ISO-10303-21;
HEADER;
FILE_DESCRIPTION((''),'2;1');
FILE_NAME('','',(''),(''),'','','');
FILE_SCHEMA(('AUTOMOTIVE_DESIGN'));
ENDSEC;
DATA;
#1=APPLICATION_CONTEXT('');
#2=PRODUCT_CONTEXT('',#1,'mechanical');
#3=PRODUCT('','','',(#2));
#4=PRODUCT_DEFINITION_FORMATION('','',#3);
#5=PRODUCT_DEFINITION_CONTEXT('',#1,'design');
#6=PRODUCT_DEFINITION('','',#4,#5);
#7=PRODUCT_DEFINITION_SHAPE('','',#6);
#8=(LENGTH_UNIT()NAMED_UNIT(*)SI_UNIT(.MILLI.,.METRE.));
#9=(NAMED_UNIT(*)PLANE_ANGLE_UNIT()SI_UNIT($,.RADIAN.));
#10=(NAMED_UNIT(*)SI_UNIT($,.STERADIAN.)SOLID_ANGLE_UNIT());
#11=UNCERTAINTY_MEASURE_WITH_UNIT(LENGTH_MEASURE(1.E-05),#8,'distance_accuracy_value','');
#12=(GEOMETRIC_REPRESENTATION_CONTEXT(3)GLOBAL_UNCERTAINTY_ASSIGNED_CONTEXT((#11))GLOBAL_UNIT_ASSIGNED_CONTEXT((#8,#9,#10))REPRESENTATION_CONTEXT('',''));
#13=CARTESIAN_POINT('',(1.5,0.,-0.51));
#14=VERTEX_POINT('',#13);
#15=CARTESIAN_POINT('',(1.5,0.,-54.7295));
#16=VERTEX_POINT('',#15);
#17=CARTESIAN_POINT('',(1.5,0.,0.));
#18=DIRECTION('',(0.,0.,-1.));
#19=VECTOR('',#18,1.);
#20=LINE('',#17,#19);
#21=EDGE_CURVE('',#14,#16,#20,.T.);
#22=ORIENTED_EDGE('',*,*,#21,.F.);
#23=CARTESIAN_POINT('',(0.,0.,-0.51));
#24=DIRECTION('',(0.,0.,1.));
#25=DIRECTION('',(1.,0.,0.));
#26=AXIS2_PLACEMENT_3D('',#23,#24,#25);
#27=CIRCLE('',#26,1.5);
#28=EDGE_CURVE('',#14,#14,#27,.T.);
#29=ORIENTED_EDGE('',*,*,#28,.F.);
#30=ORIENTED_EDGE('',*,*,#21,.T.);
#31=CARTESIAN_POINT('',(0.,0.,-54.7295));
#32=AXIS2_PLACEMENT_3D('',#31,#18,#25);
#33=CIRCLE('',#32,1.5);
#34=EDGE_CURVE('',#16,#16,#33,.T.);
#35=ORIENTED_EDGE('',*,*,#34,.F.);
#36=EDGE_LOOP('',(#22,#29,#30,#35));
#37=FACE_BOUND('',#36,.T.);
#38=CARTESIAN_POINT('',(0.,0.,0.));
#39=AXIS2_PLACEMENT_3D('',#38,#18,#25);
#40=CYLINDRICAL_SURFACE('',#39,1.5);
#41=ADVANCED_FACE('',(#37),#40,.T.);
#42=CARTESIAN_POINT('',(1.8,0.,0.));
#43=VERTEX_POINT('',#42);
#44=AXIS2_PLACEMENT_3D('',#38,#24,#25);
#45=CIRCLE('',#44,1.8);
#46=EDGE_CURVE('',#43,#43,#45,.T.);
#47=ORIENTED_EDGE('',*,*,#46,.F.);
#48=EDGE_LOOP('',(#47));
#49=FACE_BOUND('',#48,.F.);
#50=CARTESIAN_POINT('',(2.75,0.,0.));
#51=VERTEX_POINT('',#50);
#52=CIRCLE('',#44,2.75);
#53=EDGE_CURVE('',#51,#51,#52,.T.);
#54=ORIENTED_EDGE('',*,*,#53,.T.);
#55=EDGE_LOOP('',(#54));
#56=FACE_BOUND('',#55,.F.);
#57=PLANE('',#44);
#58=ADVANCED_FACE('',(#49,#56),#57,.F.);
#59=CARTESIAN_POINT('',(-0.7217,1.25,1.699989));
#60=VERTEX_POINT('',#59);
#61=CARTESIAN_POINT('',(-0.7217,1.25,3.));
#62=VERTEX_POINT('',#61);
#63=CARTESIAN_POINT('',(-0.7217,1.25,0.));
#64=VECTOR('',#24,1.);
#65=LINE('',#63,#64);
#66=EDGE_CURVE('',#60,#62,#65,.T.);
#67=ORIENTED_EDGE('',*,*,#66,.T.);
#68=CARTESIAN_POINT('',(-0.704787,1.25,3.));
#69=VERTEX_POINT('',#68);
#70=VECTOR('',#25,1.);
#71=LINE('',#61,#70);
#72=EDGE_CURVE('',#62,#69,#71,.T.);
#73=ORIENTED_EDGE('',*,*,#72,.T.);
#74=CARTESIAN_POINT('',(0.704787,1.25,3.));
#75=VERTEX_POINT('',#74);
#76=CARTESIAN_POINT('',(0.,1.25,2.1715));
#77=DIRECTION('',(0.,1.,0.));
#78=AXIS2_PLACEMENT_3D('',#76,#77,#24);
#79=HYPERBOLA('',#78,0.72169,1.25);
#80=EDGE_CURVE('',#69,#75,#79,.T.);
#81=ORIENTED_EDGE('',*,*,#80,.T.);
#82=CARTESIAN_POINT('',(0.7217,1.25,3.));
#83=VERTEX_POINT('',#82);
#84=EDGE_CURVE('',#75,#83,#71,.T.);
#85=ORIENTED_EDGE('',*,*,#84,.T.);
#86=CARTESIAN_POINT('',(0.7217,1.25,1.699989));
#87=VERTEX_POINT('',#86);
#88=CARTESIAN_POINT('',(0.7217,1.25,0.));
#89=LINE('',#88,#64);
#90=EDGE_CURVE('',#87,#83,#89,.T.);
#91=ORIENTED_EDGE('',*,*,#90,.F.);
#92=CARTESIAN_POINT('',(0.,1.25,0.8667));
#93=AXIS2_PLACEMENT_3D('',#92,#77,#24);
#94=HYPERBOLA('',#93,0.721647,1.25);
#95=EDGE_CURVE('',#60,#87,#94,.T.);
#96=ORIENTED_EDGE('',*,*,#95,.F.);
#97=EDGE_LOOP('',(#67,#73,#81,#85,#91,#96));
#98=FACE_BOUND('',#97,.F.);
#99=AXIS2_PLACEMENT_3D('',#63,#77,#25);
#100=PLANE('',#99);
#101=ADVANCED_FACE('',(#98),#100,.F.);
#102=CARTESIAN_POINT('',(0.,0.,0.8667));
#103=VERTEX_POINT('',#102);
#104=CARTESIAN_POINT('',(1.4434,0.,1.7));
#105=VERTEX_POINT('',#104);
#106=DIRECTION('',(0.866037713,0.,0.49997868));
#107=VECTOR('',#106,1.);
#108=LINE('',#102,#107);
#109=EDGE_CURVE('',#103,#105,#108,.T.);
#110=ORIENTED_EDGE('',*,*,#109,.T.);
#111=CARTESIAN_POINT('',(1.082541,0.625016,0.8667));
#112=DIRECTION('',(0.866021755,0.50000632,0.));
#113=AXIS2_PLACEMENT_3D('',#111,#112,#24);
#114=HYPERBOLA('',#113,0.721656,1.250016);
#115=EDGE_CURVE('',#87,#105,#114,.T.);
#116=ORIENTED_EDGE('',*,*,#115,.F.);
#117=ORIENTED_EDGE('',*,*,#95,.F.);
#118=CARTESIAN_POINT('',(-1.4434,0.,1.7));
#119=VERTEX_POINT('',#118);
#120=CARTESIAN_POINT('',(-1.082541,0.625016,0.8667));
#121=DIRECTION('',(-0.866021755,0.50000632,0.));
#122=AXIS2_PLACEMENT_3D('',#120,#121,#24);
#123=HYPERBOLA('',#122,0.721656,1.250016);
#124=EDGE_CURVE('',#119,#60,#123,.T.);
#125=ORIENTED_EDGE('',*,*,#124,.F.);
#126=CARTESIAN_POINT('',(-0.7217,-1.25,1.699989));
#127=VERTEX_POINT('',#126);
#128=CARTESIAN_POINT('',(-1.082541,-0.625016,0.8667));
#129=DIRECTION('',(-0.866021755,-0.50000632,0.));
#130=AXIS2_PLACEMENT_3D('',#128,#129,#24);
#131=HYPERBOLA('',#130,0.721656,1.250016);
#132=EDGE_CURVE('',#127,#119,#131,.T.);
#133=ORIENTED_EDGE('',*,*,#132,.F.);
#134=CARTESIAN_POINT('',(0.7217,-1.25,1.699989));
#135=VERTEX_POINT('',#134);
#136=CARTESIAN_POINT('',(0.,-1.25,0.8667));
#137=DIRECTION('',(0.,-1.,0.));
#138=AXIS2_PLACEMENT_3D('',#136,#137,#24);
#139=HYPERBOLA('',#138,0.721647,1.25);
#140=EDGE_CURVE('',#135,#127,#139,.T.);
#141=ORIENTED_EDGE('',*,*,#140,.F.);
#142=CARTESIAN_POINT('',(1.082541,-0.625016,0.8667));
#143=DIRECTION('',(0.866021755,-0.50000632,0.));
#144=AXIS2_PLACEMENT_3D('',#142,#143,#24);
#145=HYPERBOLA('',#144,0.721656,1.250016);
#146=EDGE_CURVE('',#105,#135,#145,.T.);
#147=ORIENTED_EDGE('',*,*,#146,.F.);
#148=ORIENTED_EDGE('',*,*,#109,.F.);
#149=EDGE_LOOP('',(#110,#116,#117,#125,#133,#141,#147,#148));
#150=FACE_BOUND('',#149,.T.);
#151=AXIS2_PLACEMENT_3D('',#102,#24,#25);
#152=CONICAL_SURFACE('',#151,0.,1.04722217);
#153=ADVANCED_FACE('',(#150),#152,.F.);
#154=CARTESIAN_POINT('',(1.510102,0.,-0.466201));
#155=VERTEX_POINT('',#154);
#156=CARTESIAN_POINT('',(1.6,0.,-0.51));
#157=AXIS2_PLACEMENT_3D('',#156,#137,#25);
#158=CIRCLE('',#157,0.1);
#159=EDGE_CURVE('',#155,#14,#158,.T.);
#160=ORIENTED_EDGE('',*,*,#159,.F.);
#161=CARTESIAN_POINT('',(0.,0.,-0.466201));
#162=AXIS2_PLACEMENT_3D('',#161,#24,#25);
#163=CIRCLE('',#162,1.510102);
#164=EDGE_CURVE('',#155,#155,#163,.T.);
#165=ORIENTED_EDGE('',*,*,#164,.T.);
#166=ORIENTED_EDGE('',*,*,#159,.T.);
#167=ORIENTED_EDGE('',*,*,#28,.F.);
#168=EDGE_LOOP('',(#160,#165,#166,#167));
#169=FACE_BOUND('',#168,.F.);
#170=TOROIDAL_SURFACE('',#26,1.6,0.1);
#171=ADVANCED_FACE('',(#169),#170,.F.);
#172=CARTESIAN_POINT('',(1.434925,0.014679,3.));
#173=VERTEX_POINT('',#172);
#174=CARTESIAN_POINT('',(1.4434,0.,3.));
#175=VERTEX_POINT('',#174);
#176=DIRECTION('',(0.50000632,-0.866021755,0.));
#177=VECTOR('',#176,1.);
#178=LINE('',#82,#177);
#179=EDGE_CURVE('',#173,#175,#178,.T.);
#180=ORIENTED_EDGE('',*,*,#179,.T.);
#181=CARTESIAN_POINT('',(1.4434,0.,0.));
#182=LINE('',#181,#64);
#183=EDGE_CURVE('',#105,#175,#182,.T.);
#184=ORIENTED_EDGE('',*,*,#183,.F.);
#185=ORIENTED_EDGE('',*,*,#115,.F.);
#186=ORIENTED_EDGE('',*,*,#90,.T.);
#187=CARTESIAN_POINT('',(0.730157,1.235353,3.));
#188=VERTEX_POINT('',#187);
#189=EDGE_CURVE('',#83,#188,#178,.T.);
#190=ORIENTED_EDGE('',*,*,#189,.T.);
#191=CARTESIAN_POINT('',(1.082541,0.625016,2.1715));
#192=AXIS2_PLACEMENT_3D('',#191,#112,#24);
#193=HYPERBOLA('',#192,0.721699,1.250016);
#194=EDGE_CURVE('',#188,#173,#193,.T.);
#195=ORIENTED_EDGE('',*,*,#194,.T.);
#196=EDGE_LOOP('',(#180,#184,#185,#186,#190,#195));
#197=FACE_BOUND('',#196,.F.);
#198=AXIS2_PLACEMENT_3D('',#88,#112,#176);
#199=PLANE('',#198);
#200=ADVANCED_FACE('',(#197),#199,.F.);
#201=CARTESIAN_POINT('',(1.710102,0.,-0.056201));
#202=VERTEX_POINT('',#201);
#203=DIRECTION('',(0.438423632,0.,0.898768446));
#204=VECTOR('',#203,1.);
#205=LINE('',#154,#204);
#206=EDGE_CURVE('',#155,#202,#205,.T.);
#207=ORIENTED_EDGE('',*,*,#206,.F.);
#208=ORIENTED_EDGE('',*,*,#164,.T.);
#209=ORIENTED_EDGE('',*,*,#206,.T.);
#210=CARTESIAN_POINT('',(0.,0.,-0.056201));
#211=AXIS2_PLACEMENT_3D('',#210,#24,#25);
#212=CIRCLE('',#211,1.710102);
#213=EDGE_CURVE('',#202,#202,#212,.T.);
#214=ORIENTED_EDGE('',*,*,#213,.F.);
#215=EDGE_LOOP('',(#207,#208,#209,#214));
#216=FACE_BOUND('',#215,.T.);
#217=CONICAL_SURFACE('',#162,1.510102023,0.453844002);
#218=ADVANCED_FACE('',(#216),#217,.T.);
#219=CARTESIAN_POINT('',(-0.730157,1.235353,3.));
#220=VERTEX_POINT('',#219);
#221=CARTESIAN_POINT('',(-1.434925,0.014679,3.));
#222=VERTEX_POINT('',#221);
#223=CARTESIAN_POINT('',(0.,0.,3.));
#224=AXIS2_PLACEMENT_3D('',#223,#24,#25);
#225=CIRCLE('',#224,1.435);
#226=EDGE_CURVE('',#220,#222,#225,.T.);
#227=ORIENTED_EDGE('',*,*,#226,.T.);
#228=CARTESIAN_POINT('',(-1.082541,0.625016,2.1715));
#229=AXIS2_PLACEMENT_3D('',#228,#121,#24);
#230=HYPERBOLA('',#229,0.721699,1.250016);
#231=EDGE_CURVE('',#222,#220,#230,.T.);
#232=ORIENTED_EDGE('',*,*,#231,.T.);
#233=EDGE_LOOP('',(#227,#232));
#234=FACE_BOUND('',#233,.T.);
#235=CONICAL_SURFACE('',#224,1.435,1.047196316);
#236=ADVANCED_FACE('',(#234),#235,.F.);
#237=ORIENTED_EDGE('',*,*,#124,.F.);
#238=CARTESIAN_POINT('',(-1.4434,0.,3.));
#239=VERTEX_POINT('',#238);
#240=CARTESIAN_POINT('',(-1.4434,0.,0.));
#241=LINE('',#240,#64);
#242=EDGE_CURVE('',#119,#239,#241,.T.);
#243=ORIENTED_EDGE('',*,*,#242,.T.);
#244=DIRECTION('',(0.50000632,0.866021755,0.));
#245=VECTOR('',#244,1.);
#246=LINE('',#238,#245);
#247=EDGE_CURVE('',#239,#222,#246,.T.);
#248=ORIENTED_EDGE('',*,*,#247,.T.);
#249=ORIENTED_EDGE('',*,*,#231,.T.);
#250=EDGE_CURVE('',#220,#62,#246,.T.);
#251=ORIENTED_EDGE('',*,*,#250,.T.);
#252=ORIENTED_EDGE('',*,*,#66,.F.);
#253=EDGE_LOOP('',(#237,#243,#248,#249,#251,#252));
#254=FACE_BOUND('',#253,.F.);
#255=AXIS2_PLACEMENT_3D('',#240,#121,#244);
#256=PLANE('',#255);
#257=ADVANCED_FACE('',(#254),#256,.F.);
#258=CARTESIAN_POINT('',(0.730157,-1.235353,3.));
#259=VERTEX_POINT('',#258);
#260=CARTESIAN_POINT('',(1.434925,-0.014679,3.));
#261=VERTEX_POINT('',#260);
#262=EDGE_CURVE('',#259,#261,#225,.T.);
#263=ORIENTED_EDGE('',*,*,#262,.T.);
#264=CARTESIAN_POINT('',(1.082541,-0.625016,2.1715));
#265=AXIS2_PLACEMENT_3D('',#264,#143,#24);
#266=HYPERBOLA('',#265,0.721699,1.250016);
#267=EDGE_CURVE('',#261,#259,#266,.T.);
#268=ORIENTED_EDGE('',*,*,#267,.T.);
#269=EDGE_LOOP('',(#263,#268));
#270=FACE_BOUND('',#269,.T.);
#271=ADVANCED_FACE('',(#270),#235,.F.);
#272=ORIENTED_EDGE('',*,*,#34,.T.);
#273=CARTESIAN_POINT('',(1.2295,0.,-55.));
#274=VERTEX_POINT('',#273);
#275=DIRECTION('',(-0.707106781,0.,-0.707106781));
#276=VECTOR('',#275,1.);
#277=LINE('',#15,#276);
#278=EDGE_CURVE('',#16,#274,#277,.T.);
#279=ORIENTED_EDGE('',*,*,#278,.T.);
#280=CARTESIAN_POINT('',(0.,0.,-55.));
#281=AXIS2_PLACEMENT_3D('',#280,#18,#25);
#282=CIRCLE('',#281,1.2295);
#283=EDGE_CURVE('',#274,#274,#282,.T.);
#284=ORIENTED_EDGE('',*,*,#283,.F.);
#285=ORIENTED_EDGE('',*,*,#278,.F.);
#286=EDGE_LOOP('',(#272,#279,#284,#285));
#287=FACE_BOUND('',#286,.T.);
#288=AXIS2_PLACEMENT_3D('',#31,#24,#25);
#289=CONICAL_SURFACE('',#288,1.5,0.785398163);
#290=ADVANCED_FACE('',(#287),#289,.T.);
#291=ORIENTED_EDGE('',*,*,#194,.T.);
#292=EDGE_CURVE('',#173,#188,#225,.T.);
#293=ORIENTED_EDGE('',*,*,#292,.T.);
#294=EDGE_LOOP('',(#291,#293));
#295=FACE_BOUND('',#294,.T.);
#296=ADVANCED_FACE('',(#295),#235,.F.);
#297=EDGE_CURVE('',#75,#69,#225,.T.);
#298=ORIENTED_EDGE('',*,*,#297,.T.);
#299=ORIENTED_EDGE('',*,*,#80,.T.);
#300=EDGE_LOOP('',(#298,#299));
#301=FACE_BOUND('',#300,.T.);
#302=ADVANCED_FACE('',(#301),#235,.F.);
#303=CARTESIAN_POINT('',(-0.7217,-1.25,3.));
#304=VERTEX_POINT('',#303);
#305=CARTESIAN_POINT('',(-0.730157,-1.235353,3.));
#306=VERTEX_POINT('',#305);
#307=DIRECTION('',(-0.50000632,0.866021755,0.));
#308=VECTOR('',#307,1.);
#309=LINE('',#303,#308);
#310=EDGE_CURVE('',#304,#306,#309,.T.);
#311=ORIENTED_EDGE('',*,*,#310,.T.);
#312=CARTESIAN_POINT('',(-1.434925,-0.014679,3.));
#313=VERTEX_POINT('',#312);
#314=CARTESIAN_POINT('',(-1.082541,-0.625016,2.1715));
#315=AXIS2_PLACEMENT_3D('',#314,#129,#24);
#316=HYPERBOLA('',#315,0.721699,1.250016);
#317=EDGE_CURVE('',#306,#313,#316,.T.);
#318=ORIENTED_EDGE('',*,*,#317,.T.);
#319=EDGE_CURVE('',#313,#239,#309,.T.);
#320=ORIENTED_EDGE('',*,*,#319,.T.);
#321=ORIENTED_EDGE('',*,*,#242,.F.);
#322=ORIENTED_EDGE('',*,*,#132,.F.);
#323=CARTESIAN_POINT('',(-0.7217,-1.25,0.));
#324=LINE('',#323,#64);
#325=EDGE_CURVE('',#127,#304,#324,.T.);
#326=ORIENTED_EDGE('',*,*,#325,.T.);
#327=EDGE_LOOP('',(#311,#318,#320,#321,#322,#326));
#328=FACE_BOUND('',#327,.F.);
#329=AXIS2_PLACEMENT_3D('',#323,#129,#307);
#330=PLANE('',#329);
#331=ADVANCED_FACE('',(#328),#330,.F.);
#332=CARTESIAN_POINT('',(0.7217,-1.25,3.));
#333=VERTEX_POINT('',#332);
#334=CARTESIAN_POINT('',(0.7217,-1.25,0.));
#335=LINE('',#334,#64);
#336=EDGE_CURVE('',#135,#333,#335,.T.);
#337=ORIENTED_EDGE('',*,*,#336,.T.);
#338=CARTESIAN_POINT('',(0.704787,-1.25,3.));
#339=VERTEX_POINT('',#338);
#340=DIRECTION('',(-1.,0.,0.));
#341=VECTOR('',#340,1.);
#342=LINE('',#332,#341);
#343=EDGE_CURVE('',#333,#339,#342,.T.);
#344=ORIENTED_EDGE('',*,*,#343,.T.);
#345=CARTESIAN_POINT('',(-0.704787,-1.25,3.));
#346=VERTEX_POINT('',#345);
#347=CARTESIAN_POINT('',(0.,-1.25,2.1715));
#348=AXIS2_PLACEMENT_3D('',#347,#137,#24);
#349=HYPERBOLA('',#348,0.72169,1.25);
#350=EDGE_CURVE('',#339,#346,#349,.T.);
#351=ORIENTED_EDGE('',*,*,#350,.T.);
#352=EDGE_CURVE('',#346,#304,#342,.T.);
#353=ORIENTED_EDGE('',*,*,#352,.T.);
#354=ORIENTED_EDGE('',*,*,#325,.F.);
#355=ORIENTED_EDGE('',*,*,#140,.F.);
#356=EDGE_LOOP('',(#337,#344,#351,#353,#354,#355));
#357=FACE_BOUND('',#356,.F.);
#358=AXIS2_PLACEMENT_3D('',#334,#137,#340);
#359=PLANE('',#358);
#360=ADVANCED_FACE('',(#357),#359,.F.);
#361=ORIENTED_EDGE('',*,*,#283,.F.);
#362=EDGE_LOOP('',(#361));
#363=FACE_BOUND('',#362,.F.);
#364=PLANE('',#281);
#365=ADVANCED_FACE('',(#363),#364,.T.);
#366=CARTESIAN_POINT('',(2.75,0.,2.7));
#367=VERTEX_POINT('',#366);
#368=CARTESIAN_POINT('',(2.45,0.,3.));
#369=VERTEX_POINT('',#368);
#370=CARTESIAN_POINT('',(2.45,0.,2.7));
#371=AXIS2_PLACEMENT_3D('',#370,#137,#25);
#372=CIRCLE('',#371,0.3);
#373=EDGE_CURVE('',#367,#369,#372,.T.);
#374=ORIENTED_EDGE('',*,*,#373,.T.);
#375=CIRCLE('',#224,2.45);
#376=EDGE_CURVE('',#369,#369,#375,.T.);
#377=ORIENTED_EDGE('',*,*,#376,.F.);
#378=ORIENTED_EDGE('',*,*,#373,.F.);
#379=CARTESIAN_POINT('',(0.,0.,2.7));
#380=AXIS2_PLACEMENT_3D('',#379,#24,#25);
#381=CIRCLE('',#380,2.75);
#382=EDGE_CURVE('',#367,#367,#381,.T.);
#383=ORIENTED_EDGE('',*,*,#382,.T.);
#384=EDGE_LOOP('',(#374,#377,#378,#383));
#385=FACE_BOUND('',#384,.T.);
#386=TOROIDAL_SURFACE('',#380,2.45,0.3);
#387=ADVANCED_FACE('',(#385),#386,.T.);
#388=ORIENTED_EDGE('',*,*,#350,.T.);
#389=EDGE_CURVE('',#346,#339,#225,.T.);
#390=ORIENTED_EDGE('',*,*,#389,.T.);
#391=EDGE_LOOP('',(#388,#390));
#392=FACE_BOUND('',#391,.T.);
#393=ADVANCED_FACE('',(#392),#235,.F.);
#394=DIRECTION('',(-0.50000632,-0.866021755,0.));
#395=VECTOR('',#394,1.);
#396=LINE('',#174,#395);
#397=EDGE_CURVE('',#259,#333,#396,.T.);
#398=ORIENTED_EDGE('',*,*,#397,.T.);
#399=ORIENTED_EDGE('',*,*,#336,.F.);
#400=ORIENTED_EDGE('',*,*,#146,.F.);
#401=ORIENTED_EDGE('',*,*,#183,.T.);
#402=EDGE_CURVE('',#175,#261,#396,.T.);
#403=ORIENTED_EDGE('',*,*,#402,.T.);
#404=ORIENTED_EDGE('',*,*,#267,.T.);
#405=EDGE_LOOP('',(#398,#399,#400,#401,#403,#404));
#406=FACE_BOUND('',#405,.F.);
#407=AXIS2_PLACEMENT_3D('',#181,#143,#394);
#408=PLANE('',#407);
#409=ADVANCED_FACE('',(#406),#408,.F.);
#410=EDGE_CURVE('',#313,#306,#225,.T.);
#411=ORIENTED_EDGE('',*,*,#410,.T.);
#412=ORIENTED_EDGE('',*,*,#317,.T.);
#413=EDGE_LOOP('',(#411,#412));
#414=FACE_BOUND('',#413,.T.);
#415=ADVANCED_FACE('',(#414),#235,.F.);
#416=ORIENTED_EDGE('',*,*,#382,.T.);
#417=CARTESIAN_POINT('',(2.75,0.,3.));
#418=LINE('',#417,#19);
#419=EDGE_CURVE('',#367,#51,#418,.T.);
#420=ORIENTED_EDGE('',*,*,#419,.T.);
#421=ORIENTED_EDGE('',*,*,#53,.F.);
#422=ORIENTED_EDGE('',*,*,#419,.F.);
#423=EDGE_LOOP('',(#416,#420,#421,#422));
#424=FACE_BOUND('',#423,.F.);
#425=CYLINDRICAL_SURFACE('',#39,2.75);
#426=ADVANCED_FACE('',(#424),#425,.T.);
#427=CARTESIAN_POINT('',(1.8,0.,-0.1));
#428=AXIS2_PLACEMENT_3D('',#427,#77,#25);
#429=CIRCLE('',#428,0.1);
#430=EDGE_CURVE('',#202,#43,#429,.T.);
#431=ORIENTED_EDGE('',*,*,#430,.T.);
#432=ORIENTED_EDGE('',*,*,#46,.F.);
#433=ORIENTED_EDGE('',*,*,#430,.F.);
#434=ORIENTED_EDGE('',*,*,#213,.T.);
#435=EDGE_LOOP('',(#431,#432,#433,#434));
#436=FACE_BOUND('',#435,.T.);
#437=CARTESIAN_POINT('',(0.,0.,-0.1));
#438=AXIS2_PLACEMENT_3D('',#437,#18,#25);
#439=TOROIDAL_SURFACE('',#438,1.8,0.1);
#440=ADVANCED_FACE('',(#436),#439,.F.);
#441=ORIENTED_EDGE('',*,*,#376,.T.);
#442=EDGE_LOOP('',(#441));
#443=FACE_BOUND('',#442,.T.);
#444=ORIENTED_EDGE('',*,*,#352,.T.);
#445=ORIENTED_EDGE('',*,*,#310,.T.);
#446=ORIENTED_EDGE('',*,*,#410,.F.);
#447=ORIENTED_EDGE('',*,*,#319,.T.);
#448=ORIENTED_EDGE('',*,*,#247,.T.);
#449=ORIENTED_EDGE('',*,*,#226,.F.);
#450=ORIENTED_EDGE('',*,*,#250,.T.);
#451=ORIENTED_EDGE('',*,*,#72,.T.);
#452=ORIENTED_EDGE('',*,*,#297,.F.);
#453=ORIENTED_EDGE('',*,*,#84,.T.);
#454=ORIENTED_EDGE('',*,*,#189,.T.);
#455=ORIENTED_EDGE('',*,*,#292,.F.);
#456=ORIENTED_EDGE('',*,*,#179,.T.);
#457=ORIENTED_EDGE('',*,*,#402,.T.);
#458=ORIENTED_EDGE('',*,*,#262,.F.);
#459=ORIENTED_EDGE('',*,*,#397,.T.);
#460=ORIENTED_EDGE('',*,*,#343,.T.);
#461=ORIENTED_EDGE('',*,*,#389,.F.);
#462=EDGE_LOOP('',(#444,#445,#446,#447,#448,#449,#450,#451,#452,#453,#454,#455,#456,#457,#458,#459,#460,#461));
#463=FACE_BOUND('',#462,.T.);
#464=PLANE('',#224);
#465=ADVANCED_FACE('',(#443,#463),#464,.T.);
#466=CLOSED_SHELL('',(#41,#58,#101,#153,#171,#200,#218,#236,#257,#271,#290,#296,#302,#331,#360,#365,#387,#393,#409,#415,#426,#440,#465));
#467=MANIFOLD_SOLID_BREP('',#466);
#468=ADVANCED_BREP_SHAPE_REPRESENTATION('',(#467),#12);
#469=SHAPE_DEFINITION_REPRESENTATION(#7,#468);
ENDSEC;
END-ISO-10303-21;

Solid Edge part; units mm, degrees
sketch "Sketch1" plane through (0, 0, 0) normal (0, 0, 1) x (1, 0, 0)
  line L0 (-0.7217, 1.25) -> (0.7217, 1.25)
  line L1 (0.7217, 1.25) -> (1.4434, 0)
  line L2 (1.4434, 0) -> (0.7217, -1.25)
  line L3 (0.7217, -1.25) -> (-0.7217, -1.25)
  line L4 (-0.7217, -1.25) -> (-1.4434, 0)
  line L5 (-1.4434, 0) -> (-0.7217, 1.25)
  circle A0 centre (0, 0) radius 2.75
  dimension "D1" = 5.5
  dimension "D2" = 2.5
extrude "Protrusion1" add sketch "Sketch1" along normal blind 3
sketch "Sketch2" plane through (0, 0, 0) normal (0, -1, 0) x (1, 0, 0)
  line L0 (0, 0.8667) -> (1.4434, 1.7)
  line L1 (1.4434, 1.7) -> (2.75, 1.7)
  line L2 (2.75, 1.7) -> (2.75, 0)
  line L3 (2.75, 0) -> (1.5, 0)
  line L4 (1.5, 0) -> (1.5, -36.999)
  line L5 (1.5, -36.999) -> (1.5, -37) construction
  line L6 (1.5, -37) -> (1.5, -37) construction
  line L7 (1.5, -37) -> (1.5, -55)
  line L8 (0, -55) -> (1.5, -55)
  dimension "D1" = 18
  dimension "D2" = 1.5
  dimension "D3" = 1.5
  dimension "D4" = 2.75
  dimension "D5" = 1.7
  dimension "D6" = 56.7
  dimension "D7" = 0.001
  dimension "D8" = 1.25
  dimension "D9" = 1.25
revolve "RevolvedProtrusion_1" add sketch "Sketch2" angle 360 about axis through (0, 0, 2.3333) along (0, 0, -1)
cosmetic_thread "Thread_1" size "M3" thread depth 17.999
sketch "Sketch3" plane through (0, 0, 0) normal (0, -1, 0) x (1, 0, 0)
  line L0 (0, 4) -> (1.435, 4)
  line L1 (1.435, 4) -> (1.435, 3)
  line L2 (1.435, 3) -> (0, 2.1715)
  dimension "D1" = 1.435
  dimension "D2" = 1
  dimension "D3" = 4
revolve "RevolvedCutout_1" cut sketch "Sketch3" angle 360 about axis through (0, 0, 7.1999) along (0, 0, 1)
fillet "Round_1" radius 0.3 1 edges at (-2.75, 0, 3)
sketch "Sketch4" plane through (0, 0, 0) normal (0, -1, 0) x (1, 0, 0)
  line L0 (1.5, 0) -> (1.8, 0)
  arc A0 (1.7101, -0.0562) -> (1.8, 0) centre (1.8, -0.1) cw
  line L1 (1.5101, -0.4662) -> (1.7101, -0.0562)
  arc A1 (1.5101, -0.4662) -> (1.5, -0.51) centre (1.6, -0.51) ccw
  line L2 (1.5, 0) -> (1.5, -0.51)
  dimension "D1" = 0.51
  dimension "D2" = 1.5
  dimension "D3" = 0.51
  dimension "D4" = 0.3
  dimension "D5" = 0.1
revolve "RevolvedProtrusion_2" add sketch "Sketch4" angle 360 about axis through (0, 0, -1.02) along (0, 0, 1)
chamfer "Chamfer_1" distance 0.2705 angle 45 1 edges at (-1.5, 0, -55)
properties material "Steel"
